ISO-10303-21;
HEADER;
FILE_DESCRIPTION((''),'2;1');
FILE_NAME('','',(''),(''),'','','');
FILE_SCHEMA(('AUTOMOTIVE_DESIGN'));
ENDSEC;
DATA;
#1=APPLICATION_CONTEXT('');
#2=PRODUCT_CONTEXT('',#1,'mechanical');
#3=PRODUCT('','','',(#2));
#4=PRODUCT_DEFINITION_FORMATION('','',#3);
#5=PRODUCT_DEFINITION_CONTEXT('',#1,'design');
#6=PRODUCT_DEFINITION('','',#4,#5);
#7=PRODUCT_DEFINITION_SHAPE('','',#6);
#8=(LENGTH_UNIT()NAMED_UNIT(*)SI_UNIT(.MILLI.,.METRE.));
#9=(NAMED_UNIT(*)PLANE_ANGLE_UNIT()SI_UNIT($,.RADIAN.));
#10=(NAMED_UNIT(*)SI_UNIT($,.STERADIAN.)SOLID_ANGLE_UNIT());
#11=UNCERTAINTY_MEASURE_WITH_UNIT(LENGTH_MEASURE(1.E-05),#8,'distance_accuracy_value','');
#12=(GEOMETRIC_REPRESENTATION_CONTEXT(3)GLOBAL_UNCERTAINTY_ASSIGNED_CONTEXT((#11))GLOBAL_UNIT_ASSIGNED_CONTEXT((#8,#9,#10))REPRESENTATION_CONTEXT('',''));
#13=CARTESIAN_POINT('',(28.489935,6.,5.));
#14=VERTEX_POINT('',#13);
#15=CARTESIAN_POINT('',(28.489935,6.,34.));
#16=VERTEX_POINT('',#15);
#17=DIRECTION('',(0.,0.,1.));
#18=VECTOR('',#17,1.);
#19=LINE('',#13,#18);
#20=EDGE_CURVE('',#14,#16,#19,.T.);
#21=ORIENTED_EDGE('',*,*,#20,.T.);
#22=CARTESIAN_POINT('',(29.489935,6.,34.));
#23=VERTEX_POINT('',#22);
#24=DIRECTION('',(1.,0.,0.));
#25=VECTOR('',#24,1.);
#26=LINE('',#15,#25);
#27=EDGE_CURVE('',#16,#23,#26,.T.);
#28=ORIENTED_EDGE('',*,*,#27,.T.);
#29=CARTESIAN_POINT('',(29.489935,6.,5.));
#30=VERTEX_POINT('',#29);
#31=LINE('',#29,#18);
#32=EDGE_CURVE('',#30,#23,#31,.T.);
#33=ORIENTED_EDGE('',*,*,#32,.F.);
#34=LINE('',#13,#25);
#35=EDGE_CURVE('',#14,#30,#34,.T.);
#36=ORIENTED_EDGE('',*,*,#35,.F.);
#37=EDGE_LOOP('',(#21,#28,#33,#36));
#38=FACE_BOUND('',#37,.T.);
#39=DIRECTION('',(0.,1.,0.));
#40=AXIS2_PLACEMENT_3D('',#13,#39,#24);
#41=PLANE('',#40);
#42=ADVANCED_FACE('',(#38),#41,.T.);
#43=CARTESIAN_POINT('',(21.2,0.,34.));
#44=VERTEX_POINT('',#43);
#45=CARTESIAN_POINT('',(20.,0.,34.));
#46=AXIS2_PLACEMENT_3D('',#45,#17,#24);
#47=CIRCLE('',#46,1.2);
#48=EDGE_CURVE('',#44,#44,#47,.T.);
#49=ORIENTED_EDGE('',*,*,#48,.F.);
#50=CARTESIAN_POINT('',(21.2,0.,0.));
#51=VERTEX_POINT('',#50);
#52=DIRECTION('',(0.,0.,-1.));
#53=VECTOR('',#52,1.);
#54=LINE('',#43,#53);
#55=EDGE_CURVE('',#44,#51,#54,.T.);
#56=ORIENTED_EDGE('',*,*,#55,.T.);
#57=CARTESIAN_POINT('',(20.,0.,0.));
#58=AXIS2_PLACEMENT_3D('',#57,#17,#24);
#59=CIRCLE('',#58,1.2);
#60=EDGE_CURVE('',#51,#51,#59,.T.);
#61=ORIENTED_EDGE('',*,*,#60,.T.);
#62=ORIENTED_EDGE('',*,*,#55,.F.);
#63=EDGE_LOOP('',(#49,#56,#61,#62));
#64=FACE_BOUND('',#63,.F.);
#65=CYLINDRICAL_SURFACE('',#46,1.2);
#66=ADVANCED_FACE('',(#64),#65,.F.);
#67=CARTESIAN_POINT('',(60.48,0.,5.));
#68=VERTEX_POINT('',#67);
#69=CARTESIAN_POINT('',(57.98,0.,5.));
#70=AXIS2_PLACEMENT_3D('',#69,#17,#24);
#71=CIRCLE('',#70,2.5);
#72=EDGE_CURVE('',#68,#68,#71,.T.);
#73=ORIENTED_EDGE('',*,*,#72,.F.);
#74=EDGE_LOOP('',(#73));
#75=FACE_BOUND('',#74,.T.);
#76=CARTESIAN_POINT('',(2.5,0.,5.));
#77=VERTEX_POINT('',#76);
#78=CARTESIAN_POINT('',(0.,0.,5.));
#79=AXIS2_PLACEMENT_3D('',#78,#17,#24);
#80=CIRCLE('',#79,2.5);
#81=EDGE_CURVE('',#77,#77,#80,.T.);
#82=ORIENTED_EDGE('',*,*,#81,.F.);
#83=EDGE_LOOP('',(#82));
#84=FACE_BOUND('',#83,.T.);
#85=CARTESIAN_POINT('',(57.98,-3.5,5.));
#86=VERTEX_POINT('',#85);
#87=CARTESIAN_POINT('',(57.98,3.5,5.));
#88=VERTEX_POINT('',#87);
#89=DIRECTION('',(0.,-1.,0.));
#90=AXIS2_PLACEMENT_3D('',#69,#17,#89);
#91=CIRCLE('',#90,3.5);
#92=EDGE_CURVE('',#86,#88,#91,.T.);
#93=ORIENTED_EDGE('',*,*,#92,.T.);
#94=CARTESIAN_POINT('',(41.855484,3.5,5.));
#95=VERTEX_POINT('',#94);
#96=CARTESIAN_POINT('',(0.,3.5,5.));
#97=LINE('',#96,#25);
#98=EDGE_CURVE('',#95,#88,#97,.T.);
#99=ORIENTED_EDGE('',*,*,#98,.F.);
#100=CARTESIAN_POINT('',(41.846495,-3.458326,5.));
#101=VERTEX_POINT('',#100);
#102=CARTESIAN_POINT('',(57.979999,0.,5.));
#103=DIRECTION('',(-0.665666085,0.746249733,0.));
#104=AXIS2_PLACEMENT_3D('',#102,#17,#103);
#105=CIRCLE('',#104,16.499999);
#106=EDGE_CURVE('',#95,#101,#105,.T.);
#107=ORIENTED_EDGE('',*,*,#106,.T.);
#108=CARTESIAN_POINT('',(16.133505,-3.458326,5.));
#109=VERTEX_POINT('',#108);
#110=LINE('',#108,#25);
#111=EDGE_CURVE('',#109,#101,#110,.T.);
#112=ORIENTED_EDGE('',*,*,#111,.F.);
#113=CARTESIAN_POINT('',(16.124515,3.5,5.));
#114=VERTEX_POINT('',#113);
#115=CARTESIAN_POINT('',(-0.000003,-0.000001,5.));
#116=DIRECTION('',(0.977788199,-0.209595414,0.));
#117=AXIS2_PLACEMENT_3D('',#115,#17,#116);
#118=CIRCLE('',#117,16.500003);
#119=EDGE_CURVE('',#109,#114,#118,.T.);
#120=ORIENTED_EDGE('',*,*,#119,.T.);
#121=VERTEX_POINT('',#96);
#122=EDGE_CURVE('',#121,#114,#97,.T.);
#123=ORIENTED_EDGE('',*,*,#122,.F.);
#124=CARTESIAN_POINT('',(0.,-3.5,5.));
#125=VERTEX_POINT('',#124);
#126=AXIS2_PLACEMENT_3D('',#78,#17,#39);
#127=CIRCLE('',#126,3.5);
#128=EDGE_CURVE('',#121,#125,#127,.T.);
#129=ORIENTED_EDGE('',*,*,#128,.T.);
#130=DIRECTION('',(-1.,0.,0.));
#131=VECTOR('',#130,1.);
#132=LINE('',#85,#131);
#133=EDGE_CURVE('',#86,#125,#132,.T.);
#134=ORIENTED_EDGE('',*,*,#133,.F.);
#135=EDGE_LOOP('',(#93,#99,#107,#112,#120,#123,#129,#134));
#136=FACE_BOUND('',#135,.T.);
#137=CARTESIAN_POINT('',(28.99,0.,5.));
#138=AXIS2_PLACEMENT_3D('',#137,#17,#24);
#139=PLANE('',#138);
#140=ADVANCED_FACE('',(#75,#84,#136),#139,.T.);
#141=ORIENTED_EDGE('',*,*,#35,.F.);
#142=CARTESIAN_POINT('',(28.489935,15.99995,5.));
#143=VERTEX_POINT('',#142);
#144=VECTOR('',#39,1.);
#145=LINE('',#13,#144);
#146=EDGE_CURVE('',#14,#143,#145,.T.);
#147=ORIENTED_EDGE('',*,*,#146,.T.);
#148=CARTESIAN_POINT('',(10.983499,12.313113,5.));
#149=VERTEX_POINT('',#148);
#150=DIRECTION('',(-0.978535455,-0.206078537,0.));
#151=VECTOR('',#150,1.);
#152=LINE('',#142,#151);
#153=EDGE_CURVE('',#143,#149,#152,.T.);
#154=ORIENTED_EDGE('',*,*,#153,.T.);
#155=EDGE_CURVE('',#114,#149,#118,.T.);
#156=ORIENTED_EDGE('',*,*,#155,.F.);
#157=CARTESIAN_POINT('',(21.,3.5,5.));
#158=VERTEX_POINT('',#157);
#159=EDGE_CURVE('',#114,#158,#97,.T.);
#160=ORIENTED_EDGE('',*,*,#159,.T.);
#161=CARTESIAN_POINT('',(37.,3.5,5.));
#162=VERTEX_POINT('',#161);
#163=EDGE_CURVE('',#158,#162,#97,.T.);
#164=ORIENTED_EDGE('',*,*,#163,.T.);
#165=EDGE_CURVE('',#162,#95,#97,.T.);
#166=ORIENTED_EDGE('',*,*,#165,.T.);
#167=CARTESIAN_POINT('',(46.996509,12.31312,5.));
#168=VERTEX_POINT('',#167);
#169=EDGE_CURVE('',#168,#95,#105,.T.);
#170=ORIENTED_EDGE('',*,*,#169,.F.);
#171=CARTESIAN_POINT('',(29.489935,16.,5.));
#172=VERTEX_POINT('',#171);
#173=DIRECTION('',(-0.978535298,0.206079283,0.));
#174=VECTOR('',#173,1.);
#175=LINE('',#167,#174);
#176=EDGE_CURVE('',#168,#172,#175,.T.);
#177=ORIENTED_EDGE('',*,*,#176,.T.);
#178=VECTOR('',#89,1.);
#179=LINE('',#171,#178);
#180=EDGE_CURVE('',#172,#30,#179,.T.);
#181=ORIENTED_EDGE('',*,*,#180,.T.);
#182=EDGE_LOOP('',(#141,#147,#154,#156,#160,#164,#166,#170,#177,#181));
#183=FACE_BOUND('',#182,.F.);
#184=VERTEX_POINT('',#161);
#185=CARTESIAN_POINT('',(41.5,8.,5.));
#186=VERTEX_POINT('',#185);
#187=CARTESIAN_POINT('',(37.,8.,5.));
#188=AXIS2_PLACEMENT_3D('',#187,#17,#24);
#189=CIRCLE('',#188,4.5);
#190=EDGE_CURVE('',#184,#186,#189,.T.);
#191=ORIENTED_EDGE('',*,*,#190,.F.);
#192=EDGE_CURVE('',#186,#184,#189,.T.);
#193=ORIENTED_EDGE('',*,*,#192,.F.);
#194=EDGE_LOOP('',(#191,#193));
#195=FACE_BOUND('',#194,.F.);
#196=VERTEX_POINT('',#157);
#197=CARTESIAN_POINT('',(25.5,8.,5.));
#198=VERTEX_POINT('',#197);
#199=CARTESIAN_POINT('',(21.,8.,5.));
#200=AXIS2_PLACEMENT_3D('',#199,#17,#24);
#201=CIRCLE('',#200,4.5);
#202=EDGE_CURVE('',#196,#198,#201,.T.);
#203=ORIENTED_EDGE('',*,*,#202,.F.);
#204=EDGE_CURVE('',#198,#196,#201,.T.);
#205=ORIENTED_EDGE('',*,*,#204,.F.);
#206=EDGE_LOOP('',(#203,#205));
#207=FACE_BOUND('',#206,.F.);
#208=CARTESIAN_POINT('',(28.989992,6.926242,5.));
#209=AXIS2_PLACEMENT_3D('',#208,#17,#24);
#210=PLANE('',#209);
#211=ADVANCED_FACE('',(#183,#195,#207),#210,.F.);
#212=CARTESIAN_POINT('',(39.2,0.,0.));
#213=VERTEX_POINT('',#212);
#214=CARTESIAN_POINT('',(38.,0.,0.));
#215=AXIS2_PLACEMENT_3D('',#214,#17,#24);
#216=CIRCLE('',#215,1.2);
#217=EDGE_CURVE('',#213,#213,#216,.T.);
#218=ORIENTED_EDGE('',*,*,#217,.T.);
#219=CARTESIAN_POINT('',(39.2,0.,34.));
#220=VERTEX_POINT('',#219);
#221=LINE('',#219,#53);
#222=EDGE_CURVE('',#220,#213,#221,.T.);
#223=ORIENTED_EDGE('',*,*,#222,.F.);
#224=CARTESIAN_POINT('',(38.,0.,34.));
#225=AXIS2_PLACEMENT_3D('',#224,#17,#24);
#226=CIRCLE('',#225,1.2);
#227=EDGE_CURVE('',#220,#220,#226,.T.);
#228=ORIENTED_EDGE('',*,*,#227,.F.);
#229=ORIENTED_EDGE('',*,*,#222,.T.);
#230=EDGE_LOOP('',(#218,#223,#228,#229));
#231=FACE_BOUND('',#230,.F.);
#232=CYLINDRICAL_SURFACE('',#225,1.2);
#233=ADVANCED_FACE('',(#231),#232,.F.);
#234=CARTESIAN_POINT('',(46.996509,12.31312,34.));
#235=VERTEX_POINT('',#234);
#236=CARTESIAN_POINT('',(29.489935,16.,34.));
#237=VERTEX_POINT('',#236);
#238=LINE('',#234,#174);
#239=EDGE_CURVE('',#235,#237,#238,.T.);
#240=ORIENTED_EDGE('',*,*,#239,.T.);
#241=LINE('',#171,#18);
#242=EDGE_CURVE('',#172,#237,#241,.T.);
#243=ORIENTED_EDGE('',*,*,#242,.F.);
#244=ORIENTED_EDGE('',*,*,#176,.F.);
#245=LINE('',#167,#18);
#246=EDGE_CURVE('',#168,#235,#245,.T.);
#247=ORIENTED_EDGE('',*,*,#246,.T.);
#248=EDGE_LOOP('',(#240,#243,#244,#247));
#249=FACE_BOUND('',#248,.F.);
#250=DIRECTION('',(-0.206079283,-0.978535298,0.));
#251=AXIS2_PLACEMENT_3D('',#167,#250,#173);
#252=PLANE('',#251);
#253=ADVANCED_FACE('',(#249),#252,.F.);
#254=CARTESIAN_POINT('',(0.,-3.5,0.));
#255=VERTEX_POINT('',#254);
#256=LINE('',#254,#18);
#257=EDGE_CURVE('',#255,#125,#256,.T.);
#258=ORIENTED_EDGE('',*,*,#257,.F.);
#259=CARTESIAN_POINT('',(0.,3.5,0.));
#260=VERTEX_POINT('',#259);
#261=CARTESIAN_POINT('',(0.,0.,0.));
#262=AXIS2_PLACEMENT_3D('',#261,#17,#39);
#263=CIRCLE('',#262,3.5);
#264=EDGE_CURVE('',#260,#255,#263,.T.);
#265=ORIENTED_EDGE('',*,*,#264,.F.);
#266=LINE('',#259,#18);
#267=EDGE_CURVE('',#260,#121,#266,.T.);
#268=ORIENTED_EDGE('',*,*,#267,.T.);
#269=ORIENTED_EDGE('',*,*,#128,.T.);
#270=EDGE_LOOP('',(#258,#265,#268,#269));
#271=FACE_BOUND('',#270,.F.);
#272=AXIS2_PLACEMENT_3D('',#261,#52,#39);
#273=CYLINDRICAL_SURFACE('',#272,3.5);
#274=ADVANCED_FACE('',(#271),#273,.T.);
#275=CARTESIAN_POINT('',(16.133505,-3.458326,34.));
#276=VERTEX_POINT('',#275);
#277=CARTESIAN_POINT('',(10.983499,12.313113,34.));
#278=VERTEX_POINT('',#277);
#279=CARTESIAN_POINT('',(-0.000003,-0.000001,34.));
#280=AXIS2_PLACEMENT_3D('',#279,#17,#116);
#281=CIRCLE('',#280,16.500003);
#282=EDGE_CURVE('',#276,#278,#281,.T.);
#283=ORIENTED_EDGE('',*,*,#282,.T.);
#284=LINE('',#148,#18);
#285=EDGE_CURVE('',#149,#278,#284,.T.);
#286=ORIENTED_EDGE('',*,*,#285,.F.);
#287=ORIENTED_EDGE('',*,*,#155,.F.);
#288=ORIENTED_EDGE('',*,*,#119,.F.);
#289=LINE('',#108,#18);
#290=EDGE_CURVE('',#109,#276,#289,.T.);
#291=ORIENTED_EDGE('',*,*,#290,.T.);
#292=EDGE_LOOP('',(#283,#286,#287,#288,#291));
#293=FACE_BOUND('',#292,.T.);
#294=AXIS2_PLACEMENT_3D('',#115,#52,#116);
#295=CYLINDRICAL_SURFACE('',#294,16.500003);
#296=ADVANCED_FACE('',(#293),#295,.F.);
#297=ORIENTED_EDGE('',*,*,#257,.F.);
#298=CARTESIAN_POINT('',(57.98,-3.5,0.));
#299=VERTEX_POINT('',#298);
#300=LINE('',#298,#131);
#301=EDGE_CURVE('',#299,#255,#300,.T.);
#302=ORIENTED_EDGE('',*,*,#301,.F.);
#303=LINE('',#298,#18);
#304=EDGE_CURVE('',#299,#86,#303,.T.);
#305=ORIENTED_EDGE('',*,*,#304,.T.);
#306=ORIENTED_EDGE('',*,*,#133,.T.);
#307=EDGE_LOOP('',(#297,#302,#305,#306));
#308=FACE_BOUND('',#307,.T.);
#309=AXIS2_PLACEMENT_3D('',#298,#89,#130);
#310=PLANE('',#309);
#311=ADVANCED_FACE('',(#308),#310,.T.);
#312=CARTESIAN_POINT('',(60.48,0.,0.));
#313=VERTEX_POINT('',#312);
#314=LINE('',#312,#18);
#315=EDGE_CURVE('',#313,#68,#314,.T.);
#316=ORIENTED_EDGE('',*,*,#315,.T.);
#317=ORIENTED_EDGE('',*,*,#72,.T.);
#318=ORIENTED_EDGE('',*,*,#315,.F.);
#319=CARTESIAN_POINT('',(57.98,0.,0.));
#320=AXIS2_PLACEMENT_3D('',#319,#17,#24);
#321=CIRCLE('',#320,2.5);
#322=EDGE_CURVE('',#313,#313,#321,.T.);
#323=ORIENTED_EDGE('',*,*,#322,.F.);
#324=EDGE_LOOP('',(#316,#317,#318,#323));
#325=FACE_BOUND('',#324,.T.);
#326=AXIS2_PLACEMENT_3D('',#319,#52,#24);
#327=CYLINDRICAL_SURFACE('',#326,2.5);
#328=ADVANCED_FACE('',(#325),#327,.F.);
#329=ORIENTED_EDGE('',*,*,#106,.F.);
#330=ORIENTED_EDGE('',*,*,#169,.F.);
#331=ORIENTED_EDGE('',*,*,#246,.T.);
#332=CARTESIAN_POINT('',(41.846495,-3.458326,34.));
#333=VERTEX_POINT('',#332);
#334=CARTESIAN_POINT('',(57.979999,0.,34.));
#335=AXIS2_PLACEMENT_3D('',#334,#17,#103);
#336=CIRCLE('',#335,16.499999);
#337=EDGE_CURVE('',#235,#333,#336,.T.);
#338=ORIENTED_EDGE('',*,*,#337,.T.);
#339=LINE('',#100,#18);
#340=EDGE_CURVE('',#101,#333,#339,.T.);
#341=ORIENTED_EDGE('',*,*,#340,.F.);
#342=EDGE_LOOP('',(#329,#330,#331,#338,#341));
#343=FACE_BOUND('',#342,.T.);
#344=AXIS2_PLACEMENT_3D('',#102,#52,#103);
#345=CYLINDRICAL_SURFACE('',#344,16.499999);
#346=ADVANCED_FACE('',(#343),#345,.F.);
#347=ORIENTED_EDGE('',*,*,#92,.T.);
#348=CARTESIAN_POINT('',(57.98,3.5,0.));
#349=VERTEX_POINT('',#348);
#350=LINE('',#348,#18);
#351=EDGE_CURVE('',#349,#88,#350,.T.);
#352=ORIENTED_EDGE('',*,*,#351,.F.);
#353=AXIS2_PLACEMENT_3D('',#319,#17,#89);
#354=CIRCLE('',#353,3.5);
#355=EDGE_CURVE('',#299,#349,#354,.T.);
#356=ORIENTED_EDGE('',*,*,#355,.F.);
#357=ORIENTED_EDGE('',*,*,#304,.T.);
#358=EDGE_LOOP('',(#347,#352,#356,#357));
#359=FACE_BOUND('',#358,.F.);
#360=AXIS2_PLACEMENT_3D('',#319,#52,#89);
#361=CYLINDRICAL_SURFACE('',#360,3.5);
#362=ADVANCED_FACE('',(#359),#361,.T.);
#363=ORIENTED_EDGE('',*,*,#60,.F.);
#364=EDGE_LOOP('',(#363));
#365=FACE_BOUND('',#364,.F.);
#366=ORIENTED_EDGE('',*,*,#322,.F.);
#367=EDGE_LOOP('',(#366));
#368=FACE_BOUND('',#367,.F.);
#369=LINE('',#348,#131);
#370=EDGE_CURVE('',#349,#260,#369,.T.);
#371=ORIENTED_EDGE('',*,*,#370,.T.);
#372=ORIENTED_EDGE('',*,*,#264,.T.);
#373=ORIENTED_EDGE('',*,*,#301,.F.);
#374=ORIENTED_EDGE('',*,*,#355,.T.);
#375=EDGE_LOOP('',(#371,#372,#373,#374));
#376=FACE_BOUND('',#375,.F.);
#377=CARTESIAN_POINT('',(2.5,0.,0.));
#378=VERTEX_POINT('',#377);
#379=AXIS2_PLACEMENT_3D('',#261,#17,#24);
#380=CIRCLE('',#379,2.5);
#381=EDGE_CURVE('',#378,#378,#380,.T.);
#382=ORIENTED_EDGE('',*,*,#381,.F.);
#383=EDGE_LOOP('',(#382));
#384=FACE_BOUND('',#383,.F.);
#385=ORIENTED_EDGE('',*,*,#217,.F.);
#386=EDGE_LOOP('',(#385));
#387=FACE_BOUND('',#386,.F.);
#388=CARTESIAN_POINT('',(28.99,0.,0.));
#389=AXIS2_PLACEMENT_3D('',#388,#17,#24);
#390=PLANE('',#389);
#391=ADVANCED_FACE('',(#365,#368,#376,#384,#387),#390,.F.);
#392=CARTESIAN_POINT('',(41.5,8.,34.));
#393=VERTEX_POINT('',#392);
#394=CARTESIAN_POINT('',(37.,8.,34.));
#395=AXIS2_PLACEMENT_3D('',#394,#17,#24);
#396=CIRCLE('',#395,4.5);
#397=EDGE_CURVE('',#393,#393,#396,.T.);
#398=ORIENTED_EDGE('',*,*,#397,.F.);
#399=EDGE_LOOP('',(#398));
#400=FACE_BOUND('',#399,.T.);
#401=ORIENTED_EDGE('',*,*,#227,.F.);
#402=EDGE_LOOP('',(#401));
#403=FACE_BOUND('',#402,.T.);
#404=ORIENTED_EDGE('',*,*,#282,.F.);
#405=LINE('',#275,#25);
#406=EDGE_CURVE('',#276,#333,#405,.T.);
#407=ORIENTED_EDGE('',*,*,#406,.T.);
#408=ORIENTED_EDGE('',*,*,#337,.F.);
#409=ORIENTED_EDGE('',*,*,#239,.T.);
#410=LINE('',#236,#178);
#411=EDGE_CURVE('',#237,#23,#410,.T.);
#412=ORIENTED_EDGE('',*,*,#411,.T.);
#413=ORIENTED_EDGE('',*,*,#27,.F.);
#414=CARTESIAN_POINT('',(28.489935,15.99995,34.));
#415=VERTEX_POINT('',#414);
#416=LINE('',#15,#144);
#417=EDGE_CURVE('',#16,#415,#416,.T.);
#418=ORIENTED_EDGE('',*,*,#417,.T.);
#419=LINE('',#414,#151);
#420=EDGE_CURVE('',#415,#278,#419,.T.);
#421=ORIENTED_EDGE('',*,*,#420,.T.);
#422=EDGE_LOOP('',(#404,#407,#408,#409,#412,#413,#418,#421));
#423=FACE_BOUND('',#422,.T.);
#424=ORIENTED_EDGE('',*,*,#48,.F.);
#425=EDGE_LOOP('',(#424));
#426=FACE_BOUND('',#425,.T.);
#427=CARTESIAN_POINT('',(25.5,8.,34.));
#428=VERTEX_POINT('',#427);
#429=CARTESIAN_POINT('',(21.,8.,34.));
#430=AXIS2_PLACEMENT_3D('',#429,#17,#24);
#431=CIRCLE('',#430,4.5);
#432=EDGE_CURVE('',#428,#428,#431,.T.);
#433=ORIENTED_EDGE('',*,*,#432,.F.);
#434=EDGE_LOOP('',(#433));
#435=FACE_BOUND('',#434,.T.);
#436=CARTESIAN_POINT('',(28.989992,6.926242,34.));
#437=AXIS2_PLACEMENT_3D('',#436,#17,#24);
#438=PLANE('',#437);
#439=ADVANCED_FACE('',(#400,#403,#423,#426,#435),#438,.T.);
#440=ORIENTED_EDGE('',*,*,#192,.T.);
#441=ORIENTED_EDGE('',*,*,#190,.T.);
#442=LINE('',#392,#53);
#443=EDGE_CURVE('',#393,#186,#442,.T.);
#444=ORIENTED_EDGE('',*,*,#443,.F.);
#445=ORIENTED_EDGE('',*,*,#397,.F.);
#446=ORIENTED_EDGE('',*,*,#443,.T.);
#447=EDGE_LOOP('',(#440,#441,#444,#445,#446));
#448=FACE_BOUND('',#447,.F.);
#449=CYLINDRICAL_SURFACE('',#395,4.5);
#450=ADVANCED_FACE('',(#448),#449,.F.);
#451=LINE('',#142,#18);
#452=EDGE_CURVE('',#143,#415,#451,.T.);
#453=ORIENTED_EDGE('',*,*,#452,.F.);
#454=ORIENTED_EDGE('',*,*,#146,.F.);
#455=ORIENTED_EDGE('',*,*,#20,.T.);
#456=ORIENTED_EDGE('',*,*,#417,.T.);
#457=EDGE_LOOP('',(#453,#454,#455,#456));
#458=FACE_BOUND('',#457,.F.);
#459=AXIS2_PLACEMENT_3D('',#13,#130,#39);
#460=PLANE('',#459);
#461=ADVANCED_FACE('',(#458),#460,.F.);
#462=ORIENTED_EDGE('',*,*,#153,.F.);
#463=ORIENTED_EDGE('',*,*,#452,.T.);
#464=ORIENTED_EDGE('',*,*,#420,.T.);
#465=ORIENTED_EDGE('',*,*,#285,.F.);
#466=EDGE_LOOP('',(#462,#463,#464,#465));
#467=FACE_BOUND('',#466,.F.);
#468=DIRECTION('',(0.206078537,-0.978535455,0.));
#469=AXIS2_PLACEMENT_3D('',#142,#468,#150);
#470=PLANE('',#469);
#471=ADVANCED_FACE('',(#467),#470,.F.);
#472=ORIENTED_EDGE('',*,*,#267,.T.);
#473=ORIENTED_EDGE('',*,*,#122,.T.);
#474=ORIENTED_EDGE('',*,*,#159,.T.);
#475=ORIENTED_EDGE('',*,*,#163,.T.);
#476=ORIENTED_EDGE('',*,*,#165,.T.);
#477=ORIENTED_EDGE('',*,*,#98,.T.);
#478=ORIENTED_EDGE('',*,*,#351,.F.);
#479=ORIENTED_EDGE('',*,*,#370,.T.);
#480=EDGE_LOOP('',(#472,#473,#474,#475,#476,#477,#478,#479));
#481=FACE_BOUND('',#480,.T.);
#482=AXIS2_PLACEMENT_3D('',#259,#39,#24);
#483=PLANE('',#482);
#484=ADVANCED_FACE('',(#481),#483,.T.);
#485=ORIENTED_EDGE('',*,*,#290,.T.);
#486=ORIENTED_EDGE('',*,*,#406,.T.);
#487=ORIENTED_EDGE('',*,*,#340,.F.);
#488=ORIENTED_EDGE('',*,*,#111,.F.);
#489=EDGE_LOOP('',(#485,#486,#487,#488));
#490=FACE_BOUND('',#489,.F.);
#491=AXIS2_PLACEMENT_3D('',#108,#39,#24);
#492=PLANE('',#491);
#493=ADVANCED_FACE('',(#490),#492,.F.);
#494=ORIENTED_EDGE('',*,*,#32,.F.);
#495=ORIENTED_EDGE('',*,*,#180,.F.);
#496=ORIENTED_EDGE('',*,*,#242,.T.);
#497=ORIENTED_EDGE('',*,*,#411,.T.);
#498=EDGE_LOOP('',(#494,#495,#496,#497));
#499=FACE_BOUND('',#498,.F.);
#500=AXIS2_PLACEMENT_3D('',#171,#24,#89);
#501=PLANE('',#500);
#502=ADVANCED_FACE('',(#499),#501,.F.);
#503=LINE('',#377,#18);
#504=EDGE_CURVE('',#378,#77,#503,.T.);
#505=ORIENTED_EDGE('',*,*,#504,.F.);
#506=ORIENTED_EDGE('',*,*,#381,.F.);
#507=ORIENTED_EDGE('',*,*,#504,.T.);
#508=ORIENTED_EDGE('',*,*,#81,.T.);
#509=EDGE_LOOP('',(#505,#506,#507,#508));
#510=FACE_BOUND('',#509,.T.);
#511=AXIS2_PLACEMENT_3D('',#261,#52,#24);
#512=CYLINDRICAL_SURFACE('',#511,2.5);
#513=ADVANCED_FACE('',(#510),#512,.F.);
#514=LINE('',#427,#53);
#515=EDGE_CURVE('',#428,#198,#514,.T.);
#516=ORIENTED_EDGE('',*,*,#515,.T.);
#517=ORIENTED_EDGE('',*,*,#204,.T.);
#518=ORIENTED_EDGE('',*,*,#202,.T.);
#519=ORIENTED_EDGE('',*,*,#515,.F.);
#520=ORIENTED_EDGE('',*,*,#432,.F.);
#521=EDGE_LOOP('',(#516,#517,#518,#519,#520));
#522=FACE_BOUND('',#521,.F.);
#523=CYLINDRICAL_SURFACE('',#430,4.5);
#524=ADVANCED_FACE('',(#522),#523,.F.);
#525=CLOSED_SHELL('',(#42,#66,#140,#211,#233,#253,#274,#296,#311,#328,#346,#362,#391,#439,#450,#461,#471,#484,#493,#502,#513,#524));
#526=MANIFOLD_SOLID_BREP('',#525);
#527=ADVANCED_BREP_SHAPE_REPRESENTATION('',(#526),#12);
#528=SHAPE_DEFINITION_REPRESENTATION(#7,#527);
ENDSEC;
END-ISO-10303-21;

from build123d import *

# Parameters (mm, degrees)
SKETCH_R        = 2.5
PAD_DEPTH       = 5
PAD001_DEPTH    = 29
SKETCH002_R     = 1.2
POCKET_DEPTH    = 34.001
SKETCH004_R     = 4.5
POCKET002_DEPTH = 34.001


with BuildPart() as part:
    # Sketch → Pad (new body)
    with BuildSketch(Plane.XY):
        with BuildLine():
            ThreePointArc((0, 3.5), (-3.5, 0), (0, -3.5))
            Line((57.98, -3.5), (0, -3.5))
            ThreePointArc((57.98, -3.5), (61.48, 0), (57.98, 3.5))
            Line((0, 3.5), (57.98, 3.5))
        make_face()
        Circle(SKETCH_R, mode=Mode.SUBTRACT)
        with Locations((57.98, 0)):
            Circle(SKETCH_R, mode=Mode.SUBTRACT)
    extrude(amount=PAD_DEPTH)

    # Sketch001 (on Face8 of Pad) → Pad001 (join)
    with BuildSketch(Plane.XY.offset(5)):
        with BuildLine():
            Line((29.489935, 16), (29.489935, 6))
            Line((28.489935, 6), (29.489935, 6))
            Line((28.489935, 6), (28.489935, 15.99995))
            Line((28.489935, 15.99995), (10.983499, 12.313113))
            ThreePointArc((16.133505, -3.458326), (15.684946, 5.121763), (10.983499, 12.313113))
            Line((16.133505, -3.458326), (41.846495, -3.458326))
            ThreePointArc((46.996509, 12.31312), (42.295055, 5.121768), (41.846495, -3.458326))
            Line((46.996509, 12.31312), (29.489935, 16))
        make_face()
    extrude(amount=PAD001_DEPTH)

    # Sketch002 (on Face18 of Pad001) → Pocket (cut, through all)
    with BuildSketch(Plane.XY.offset(34)):
        with Locations((20, 0)):
            Circle(SKETCH002_R)
        with Locations((38, 0)):
            Circle(SKETCH002_R)
    extrude(amount=-POCKET_DEPTH, mode=Mode.SUBTRACT)

    # Sketch004 → Pocket002 (cut, through all)
    with BuildSketch(Plane.XY.offset(34)):
        with Locations((21, 8)):
            Circle(SKETCH004_R)
        with Locations((37, 8)):
            Circle(SKETCH004_R)
    extrude(amount=-POCKET002_DEPTH, mode=Mode.SUBTRACT)


solid = part.part
